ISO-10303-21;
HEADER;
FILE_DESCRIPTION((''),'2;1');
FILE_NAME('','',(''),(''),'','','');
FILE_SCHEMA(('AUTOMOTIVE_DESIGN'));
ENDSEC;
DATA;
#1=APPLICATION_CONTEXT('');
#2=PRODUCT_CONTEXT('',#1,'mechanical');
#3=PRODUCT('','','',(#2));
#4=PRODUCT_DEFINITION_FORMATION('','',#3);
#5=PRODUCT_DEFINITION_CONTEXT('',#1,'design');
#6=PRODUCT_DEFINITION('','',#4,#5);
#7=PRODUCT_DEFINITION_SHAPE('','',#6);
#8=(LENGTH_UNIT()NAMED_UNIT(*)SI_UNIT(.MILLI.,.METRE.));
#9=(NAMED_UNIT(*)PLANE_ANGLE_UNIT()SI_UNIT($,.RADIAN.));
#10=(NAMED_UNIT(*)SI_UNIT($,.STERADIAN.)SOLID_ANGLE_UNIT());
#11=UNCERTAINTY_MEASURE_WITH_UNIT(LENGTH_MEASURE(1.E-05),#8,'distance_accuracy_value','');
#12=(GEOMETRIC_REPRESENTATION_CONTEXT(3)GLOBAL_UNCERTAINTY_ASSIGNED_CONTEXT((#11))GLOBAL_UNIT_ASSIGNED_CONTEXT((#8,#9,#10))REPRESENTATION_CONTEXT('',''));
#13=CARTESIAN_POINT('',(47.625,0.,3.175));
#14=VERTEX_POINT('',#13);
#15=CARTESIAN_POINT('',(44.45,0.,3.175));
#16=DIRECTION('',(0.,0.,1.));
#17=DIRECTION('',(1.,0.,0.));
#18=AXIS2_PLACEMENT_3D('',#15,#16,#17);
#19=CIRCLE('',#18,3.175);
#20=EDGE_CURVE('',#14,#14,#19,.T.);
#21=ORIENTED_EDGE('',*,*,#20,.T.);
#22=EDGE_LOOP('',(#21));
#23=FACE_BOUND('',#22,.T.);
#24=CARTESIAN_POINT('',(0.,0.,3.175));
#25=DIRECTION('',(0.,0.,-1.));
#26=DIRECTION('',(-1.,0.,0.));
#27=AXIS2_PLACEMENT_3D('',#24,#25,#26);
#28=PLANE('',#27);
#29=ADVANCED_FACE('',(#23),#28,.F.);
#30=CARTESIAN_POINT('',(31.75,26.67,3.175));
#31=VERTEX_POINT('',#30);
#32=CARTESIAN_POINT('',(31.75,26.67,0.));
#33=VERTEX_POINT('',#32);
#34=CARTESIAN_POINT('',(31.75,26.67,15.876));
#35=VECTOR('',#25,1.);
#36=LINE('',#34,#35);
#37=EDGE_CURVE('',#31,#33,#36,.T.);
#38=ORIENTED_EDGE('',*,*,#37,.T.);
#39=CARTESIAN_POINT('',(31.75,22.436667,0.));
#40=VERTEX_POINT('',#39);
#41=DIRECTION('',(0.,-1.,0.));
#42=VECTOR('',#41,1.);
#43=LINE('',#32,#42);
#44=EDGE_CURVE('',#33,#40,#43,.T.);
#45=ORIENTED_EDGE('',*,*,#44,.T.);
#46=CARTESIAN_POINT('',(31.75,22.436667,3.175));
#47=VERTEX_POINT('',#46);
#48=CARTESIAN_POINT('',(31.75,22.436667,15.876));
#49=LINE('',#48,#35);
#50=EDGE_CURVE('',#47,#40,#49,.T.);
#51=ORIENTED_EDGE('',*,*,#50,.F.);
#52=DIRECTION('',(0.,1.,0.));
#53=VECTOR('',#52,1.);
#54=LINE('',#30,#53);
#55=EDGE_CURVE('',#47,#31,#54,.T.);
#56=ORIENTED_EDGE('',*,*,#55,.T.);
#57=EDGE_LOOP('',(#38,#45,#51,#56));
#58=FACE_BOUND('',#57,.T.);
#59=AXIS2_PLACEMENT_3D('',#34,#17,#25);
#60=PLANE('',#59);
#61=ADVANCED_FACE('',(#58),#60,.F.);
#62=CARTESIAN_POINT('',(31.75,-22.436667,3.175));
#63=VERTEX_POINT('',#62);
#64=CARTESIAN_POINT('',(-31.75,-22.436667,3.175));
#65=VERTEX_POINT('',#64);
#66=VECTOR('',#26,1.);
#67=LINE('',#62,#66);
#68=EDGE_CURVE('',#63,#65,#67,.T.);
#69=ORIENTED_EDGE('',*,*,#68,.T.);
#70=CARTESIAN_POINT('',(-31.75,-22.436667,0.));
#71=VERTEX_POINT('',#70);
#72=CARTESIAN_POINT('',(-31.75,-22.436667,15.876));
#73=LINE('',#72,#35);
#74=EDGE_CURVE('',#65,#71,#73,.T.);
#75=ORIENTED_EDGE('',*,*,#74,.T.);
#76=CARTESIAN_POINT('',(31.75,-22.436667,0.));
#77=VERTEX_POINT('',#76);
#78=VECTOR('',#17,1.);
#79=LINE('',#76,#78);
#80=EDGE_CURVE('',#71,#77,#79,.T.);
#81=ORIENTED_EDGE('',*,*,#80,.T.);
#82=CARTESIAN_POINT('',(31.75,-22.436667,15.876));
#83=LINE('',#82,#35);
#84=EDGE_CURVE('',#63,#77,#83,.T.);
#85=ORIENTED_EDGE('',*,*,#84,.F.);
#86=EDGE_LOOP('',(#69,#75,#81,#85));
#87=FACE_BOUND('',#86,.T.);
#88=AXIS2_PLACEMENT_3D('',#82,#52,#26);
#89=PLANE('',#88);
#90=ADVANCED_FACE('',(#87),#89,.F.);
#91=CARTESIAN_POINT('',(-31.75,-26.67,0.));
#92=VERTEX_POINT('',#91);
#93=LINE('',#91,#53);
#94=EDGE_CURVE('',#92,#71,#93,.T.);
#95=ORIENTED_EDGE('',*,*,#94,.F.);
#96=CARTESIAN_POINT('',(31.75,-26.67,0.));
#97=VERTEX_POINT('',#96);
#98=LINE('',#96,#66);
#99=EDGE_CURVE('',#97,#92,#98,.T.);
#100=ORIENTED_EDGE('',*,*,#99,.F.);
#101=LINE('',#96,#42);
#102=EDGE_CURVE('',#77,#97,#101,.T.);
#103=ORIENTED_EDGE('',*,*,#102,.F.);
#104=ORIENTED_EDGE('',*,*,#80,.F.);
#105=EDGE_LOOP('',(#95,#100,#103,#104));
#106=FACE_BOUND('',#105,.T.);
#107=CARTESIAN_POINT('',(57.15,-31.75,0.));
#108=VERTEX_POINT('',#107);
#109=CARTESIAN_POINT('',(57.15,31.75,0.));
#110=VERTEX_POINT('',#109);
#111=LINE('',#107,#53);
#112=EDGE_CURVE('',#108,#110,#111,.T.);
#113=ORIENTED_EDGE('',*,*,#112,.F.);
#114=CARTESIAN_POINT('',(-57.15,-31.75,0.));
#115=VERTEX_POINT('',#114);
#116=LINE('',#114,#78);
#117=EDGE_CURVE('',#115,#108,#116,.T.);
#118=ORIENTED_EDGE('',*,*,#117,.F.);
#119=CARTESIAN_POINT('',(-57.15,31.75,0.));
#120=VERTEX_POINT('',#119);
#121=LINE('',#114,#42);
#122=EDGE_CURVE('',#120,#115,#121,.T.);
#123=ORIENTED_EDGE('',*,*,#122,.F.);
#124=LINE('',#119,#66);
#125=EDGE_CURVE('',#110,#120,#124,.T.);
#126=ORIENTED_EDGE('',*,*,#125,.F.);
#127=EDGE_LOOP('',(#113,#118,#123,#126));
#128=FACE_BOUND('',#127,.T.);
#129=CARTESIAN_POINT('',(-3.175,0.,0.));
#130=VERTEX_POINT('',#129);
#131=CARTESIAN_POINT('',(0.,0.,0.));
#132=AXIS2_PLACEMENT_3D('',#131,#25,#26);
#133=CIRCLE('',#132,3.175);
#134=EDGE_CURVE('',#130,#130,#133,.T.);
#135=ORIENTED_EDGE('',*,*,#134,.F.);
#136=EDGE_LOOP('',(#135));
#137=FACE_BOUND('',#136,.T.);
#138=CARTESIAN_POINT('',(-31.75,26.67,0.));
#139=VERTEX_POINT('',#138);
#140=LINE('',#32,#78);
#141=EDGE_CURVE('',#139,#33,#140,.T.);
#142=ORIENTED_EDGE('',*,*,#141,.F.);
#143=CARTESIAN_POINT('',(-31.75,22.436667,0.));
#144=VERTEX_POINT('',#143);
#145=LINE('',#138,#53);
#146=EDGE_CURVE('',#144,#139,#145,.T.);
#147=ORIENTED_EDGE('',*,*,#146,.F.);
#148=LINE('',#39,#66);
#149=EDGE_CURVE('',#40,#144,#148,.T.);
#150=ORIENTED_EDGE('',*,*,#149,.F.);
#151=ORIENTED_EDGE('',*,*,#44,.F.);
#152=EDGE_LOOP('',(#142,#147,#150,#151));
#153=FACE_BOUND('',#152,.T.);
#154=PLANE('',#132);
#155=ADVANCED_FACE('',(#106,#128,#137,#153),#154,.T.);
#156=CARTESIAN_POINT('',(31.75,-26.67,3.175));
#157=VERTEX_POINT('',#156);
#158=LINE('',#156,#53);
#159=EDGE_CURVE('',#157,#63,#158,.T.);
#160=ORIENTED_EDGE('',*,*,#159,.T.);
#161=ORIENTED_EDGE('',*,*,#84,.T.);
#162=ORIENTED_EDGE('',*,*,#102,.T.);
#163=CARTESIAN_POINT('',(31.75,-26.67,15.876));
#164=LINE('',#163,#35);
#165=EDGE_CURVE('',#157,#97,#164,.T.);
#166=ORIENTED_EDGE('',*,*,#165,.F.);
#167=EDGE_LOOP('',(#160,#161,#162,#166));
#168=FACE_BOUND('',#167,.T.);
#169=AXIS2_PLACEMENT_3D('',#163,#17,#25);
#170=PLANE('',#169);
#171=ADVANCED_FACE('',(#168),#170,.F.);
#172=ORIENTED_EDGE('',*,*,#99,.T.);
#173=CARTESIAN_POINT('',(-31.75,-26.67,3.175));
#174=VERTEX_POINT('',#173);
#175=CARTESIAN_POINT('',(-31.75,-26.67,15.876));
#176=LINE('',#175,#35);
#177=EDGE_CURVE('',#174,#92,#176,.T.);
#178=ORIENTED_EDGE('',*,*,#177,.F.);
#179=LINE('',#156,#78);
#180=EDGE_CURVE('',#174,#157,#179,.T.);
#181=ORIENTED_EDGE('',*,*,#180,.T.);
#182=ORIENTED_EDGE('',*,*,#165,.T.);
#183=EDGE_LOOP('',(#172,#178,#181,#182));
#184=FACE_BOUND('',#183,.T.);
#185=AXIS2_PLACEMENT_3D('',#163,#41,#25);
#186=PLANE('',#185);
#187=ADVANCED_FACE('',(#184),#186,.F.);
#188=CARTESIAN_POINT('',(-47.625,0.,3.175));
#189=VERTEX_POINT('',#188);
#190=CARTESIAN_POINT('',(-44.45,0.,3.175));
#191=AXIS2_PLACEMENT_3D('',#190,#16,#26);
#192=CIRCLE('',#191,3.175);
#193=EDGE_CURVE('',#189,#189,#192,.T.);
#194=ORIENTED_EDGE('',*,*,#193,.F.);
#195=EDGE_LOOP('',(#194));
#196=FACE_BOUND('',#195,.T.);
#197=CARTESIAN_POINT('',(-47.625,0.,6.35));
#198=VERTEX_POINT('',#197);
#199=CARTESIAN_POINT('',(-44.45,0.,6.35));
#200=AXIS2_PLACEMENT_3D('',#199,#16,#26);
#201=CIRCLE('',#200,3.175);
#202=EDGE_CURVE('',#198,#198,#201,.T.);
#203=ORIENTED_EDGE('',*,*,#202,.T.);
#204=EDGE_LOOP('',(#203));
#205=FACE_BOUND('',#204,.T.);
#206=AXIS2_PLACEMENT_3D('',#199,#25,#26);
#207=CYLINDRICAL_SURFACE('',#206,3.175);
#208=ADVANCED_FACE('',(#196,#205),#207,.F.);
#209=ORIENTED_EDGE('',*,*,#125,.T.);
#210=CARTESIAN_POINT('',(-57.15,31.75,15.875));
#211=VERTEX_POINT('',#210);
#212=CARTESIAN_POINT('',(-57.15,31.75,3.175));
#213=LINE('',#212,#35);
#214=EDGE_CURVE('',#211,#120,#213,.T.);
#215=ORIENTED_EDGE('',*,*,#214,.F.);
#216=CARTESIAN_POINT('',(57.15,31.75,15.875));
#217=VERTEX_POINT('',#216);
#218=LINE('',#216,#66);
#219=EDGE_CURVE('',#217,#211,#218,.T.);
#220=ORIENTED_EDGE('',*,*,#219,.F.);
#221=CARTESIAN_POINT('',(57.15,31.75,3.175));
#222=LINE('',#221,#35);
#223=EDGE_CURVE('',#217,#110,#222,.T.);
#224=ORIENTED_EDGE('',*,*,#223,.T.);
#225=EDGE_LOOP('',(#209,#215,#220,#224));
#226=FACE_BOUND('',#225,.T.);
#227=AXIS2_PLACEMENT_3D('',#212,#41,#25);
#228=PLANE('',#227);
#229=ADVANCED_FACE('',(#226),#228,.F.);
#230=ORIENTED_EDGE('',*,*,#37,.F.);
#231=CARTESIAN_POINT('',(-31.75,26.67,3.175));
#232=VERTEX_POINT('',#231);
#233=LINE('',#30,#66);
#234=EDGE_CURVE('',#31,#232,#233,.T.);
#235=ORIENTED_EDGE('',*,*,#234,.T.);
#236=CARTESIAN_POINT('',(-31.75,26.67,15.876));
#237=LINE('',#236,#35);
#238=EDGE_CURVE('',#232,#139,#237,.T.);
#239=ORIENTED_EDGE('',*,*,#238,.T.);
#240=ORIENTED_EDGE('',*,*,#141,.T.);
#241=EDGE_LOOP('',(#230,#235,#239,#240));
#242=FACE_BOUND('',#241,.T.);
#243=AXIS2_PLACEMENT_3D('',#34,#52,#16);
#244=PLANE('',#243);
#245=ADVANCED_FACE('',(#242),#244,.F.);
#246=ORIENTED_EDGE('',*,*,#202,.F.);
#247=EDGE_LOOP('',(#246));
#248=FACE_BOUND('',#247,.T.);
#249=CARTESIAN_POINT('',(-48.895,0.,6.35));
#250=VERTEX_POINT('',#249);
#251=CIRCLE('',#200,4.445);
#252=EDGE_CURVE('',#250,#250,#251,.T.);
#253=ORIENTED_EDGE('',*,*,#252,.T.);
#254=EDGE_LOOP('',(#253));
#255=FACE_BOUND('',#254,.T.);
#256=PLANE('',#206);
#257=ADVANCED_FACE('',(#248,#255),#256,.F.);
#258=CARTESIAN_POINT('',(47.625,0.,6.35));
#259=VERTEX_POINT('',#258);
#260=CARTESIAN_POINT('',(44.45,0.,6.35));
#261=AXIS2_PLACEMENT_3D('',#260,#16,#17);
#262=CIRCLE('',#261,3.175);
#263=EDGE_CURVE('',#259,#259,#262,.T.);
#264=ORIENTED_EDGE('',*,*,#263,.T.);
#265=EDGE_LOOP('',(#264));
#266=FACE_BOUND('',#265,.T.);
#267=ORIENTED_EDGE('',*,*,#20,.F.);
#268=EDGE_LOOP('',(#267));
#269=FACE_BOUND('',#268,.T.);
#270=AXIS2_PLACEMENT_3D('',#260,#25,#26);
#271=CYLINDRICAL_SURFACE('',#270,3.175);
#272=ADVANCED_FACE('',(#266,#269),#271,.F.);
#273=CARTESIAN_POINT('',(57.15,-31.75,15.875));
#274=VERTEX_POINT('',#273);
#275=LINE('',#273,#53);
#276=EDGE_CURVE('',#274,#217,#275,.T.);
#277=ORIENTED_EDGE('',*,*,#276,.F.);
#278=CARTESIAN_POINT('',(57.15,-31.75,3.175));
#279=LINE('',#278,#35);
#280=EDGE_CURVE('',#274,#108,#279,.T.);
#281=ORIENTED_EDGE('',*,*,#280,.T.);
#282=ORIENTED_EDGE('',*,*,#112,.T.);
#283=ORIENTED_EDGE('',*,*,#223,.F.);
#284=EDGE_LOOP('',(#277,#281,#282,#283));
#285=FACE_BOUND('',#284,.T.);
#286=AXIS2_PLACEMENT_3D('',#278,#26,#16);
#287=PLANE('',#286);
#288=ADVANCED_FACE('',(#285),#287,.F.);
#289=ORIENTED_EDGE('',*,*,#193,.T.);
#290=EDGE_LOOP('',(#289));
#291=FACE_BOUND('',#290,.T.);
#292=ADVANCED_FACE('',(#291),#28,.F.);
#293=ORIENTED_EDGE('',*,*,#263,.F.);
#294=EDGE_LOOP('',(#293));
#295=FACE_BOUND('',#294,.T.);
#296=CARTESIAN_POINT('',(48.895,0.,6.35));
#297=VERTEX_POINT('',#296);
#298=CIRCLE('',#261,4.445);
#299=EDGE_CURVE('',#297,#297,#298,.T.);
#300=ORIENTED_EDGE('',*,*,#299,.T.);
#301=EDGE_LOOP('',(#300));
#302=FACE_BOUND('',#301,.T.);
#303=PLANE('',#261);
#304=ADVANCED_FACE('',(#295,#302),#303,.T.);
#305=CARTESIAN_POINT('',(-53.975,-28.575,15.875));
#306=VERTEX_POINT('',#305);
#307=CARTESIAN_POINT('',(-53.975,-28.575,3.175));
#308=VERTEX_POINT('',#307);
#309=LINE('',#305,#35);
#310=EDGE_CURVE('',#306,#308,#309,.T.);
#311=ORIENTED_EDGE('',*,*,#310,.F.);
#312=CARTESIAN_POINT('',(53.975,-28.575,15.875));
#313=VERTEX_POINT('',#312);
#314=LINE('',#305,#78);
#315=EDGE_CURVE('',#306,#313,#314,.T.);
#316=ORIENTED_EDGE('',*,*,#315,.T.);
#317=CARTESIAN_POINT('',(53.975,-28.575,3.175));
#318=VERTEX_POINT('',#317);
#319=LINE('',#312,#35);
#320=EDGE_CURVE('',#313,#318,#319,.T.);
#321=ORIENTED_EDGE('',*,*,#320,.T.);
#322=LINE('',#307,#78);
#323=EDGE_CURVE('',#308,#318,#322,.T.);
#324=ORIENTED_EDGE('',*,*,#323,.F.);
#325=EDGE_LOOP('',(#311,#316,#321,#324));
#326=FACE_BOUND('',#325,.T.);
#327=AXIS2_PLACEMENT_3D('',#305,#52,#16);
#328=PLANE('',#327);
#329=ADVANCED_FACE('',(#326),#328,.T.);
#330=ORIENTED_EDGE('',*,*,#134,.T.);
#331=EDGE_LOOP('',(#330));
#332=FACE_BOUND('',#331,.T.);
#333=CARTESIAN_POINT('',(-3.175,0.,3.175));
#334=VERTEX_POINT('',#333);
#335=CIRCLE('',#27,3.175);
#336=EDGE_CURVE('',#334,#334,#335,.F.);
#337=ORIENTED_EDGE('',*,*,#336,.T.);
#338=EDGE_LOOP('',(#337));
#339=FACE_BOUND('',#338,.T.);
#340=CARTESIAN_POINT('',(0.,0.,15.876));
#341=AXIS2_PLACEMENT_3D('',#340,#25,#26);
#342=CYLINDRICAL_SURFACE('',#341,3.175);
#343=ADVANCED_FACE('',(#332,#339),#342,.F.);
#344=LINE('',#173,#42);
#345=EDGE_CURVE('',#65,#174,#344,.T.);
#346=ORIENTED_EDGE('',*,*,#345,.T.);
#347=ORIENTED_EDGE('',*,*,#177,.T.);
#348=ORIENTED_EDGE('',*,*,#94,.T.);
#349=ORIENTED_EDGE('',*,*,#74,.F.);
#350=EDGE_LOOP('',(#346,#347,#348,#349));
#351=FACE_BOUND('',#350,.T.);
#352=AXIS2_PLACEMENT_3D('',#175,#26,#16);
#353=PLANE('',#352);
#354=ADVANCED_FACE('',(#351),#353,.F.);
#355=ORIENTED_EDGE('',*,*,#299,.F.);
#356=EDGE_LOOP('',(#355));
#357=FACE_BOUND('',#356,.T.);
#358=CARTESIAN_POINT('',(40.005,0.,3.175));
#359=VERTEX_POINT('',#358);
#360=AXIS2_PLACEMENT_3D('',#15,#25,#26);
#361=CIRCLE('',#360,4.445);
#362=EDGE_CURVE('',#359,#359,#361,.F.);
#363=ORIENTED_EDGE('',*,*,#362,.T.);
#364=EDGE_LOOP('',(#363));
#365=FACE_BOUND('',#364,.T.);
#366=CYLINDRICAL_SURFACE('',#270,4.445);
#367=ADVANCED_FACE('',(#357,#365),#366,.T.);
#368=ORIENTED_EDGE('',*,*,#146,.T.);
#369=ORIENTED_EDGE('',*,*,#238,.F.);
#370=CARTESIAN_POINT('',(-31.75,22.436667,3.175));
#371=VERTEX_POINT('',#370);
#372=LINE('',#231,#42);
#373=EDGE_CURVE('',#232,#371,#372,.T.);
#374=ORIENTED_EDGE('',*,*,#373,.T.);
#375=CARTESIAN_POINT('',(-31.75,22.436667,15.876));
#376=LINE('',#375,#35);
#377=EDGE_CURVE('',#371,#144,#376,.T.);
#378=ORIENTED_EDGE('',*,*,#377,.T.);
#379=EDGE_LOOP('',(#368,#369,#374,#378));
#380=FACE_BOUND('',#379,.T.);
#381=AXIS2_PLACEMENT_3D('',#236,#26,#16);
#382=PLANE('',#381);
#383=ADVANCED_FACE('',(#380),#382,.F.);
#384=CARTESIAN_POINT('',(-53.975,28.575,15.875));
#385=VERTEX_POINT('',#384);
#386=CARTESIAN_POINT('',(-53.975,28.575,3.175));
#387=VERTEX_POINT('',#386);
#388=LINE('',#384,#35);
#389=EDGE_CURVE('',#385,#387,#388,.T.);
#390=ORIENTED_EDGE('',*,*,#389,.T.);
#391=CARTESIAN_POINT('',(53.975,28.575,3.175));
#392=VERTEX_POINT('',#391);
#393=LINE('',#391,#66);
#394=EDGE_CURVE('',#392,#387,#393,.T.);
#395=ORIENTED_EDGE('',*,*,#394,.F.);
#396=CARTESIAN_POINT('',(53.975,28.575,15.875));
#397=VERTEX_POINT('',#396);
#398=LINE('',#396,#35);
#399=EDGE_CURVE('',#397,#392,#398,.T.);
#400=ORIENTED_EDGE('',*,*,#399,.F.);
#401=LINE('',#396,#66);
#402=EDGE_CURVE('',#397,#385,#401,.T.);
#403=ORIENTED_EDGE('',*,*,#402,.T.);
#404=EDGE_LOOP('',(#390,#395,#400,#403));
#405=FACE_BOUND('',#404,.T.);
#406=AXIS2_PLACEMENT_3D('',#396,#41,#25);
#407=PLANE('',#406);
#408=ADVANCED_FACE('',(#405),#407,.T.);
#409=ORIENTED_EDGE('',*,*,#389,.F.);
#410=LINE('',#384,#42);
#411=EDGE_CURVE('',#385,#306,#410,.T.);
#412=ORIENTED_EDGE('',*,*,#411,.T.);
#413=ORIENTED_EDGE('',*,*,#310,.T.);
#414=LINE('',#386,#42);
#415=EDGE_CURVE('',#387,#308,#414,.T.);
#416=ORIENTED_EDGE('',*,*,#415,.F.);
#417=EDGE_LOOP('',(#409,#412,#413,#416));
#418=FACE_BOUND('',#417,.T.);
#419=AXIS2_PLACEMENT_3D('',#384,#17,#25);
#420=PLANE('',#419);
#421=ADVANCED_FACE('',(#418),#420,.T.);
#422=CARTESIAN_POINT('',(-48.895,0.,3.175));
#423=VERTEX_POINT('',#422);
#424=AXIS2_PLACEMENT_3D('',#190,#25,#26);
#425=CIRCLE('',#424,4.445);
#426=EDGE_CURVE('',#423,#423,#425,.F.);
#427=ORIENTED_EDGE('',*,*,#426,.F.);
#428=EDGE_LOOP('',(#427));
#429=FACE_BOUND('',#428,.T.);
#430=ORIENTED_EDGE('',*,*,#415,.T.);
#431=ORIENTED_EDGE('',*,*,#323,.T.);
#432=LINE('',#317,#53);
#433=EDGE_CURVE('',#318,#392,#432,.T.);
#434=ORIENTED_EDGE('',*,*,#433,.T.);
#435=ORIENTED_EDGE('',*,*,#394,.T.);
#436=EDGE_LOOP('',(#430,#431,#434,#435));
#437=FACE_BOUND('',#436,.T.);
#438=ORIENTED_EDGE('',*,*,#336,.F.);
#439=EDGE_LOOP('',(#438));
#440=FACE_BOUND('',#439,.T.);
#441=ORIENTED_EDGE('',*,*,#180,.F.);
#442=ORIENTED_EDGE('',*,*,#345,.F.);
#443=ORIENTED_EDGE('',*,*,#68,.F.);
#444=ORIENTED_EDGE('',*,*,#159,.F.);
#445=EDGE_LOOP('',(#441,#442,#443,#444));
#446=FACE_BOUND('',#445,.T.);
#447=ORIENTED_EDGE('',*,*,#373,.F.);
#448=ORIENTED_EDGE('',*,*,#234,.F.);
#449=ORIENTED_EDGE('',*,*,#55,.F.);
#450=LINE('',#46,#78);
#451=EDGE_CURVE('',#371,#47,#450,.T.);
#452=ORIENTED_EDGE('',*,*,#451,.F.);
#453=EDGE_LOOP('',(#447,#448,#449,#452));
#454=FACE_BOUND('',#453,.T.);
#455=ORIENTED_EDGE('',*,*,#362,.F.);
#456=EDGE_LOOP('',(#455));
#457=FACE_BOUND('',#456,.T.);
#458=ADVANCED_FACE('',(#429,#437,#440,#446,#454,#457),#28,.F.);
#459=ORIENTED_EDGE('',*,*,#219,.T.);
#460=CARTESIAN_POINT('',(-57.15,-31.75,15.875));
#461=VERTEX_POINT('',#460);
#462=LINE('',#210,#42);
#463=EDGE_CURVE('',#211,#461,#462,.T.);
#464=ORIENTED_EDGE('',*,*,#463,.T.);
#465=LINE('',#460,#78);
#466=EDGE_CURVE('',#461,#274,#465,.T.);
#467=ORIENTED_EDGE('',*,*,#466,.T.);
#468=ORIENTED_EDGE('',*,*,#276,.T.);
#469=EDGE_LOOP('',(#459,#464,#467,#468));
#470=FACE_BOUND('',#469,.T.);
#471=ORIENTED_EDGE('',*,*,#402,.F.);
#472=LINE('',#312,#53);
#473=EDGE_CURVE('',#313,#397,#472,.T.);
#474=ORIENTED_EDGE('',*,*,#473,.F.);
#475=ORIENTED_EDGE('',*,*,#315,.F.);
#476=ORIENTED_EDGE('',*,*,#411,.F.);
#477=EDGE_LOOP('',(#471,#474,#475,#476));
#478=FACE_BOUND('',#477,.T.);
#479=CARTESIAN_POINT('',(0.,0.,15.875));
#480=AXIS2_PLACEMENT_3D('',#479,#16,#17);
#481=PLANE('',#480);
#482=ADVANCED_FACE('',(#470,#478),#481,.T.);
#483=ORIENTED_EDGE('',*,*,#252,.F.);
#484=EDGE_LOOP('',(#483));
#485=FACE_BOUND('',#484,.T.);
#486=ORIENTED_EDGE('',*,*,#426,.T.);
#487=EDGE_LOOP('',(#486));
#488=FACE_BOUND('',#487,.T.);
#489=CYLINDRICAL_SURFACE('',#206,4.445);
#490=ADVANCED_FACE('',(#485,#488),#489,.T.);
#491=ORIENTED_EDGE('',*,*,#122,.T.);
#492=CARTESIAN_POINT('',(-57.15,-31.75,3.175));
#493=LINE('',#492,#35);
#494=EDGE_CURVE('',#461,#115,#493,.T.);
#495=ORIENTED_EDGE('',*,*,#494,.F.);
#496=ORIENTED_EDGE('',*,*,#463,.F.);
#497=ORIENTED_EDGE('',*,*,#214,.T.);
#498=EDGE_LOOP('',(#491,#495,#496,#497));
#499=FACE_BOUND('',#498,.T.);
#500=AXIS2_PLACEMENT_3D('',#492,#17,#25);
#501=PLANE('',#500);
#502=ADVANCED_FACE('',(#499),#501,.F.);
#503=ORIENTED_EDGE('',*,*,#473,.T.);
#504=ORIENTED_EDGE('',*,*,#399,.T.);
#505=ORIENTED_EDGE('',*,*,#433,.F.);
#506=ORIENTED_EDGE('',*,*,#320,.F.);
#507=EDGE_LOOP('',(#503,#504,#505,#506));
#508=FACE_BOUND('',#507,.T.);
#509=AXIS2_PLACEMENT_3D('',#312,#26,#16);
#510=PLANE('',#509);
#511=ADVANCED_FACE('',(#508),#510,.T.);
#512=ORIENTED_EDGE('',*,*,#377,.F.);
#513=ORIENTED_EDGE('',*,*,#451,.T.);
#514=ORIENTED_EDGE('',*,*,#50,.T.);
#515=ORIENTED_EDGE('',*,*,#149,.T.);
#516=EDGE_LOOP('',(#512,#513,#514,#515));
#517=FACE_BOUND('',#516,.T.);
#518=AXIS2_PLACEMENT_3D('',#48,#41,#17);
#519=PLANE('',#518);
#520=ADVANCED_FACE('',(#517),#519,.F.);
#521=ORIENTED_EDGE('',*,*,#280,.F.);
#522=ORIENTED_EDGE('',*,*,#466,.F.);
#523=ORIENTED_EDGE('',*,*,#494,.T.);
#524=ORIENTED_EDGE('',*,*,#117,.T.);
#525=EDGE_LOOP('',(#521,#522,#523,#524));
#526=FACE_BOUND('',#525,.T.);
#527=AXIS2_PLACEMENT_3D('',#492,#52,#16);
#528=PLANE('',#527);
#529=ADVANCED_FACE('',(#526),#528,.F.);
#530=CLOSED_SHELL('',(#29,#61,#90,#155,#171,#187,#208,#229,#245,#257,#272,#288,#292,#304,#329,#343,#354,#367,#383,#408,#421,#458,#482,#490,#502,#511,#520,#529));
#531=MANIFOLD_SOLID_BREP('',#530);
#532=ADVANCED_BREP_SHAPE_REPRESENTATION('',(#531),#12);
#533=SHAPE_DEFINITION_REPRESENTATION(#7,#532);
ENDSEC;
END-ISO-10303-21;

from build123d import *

# Parameters (mm, degrees)
SKETCH1_W           = 114.3
SKETCH1_H           = 63.5
BOSS_EXTRUDE1_DEPTH = 3.175
SKETCH2_W           = 114.3
SKETCH2_H           = 63.5
SKETCH2_W_2         = 107.95
SKETCH2_H_2         = 57.15
BOSS_EXTRUDE2_DEPTH = 12.7
CUT_EXTRUDE1_REACH  = 69.277
SKETCH3_R           = 3.175
SKETCH3_W           = 63.5
SKETCH3_H           = 4.233333418
SKETCH4_R           = 4.445
SKETCH4_R_2         = 3.175
BOSS_EXTRUDE3_DEPTH = 3.175


with BuildPart() as part:
    # Sketch1 → Boss-Extrude1 (new body)
    with BuildSketch(Plane.XY):
        Rectangle(SKETCH1_W, SKETCH1_H)
    extrude(amount=BOSS_EXTRUDE1_DEPTH)

    # Sketch2 → Boss-Extrude2 (add)
    with BuildSketch(Plane.XY.offset(3.175)):
        Rectangle(SKETCH2_W, SKETCH2_H)
        Rectangle(SKETCH2_W_2, SKETCH2_H_2, mode=Mode.SUBTRACT)
    extrude(amount=BOSS_EXTRUDE2_DEPTH)

    # Sketch3 → Cut-Extrude1 (cut, up to next)
    with BuildSketch(Plane(origin=(0, 0, 0), x_dir=(-1, 0, 0), z_dir=(0, 0, -1)), mode=Mode.PRIVATE) as cut_extrude1_sk1:
        Circle(SKETCH3_R)
    cut_extrude1_tool1 = extrude(cut_extrude1_sk1.sketch, amount=-CUT_EXTRUDE1_REACH, mode=Mode.PRIVATE) & part.part
    # Sketch3 → Cut-Extrude1 (cut, up to next)
    with BuildSketch(Plane(origin=(0, 0, 0), x_dir=(-1, 0, 0), z_dir=(0, 0, -1)), mode=Mode.PRIVATE) as cut_extrude1_sk2:
        with Locations((0, 24.553333291)):
            Rectangle(SKETCH3_W, SKETCH3_H)
    cut_extrude1_tool2 = extrude(cut_extrude1_sk2.sketch, amount=-CUT_EXTRUDE1_REACH, mode=Mode.PRIVATE) & part.part
    # Sketch3 → Cut-Extrude1 (cut, up to next)
    with BuildSketch(Plane(origin=(0, 0, 0), x_dir=(-1, 0, 0), z_dir=(0, 0, -1)), mode=Mode.PRIVATE) as cut_extrude1_sk3:
        with Locations((0, -24.553333291)):
            Rectangle(SKETCH3_W, SKETCH3_H)
    cut_extrude1_tool3 = extrude(cut_extrude1_sk3.sketch, amount=-CUT_EXTRUDE1_REACH, mode=Mode.PRIVATE) & part.part
    add(cut_extrude1_tool1.solids().sort_by_distance((0, 0, 0))[0], mode=Mode.SUBTRACT)
    add(cut_extrude1_tool2.solids().sort_by_distance((0, 24.553333, 0))[0], mode=Mode.SUBTRACT)
    add(cut_extrude1_tool3.solids().sort_by_distance((0, -24.553333, 0))[0], mode=Mode.SUBTRACT)

    # Sketch4 → Boss-Extrude3 (add)
    # profile 1 of 2: a face of its own
    with BuildSketch(Plane.XY.offset(3.175)):
        with Locations(Location((44.45, 0, 0), (0, 0, 180))):
            Circle(SKETCH4_R)
        with Locations((44.45, 0)):
            Circle(SKETCH4_R_2, mode=Mode.SUBTRACT)
    # profile 2 of 2: a face of its own
    with BuildSketch(Plane.XY.offset(3.175)):
        with Locations(Location((-44.45, 0, 0), (0, 0, 180))):
            Circle(SKETCH4_R)
        with Locations(Location((-44.45, 0, 0), (0, 0, 180))):
            Circle(SKETCH4_R_2, mode=Mode.SUBTRACT)
    extrude(amount=BOSS_EXTRUDE3_DEPTH)


solid = part.part
